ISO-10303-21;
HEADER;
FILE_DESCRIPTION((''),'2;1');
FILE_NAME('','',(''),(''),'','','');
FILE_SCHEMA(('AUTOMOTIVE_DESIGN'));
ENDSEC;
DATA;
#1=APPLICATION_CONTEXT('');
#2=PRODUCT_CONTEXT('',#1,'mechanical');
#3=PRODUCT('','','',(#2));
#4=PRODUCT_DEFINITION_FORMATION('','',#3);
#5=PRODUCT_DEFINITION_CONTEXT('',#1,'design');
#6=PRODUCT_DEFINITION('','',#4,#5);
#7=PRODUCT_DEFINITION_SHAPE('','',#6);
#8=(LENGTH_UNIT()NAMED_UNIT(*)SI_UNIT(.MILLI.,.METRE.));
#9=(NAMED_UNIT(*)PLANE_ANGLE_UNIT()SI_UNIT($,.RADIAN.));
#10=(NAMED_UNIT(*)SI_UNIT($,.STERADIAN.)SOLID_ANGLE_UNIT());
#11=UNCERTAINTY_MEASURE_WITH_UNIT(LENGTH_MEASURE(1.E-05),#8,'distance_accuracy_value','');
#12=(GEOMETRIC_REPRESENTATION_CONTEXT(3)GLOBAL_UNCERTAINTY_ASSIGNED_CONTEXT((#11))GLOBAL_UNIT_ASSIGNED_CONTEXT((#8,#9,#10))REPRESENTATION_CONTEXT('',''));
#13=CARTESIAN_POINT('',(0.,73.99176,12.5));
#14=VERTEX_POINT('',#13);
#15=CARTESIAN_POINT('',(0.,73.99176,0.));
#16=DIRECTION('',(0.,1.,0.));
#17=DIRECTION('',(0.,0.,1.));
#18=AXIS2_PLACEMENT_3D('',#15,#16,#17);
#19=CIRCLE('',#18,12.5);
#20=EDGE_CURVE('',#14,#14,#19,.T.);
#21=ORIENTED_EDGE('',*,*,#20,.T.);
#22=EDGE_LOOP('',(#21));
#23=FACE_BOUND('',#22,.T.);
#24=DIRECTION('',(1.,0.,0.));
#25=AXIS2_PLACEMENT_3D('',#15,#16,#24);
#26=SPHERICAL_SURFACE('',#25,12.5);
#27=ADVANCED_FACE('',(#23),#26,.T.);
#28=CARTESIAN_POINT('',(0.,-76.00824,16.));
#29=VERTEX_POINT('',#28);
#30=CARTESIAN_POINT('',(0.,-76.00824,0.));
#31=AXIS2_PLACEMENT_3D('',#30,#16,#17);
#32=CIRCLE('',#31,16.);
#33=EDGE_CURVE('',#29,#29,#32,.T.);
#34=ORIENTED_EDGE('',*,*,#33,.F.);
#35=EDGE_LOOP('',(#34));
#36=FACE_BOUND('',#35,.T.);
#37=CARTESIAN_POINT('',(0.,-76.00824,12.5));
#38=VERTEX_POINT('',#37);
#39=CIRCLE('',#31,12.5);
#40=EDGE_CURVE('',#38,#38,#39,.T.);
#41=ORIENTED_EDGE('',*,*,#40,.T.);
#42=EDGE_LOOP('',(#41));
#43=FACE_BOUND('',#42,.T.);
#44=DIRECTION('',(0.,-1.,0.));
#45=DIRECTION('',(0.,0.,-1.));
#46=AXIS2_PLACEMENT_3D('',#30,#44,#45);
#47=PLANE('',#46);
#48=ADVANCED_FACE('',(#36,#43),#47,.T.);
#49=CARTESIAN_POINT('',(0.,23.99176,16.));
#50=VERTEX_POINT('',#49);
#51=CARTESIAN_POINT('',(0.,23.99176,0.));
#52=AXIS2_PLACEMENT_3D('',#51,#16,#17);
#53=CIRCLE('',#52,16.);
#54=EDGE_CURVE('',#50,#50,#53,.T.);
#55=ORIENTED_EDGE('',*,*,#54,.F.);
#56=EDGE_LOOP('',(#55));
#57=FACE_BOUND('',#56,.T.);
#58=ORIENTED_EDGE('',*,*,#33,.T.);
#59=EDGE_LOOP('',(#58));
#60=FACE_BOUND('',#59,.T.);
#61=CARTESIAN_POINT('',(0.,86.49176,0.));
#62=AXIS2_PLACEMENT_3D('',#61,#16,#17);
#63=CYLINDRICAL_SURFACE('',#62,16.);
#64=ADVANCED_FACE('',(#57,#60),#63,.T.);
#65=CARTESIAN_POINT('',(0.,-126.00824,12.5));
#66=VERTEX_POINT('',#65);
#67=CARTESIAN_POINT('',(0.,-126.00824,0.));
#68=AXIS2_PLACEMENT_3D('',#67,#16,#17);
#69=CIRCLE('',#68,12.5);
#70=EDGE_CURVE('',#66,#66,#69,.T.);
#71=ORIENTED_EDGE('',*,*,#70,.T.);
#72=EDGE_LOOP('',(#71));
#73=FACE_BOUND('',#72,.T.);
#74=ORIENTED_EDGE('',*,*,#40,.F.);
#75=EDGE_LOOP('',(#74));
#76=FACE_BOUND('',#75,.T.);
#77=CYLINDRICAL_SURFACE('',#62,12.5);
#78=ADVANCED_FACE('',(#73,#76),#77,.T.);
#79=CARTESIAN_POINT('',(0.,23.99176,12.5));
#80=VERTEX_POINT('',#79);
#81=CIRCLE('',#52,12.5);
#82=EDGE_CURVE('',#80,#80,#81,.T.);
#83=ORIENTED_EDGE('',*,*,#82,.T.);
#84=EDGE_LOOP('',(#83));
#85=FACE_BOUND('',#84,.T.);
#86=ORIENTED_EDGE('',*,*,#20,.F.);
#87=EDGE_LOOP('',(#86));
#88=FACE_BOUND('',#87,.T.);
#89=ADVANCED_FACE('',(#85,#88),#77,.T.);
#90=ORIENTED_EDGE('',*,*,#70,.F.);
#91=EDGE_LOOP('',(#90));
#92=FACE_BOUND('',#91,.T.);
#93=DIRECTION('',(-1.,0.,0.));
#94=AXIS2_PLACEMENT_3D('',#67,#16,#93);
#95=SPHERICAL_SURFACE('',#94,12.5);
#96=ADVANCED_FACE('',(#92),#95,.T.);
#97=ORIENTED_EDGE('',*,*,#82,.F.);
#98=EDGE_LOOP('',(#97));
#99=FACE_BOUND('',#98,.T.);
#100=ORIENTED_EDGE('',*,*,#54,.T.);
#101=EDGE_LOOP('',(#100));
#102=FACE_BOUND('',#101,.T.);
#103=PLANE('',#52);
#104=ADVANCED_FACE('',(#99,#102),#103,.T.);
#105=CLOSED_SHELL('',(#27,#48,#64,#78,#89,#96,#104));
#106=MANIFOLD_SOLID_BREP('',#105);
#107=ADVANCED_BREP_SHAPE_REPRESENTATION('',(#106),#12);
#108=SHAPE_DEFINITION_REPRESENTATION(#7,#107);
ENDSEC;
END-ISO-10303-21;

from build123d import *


with BuildPart() as part:
    # Sketch1 → Revolve1 (revolve)
    with BuildSketch(Plane.XY, mode=Mode.PRIVATE) as revolve1_sk:
        Polygon((12.5, 73.991760417), (0, 73.991760417), (0, -126.008239583), (12.5, -126.008239583), (12.5, -76.008239583), (16, -76.008239583), (16, 23.991760417), (12.5, 23.991760417), align=None)
        with BuildLine():
            Line((0, 86.491760417), (0, 73.991760417))
            Line((0, 73.991760417), (12.5, 73.991760417))
            ThreePointArc((12.5, 73.991760417), (8.838834765, 82.830595182), (0, 86.491760417))
        make_face()
        with BuildLine():
            Line((12.5, -126.008239583), (0, -126.008239583))
            Line((0, -126.008239583), (0, -138.508239583))
            ThreePointArc((0, -138.508239583), (8.838834765, -134.847074348), (12.5, -126.008239583))
        make_face()
    revolve(revolve1_sk.sketch.rotate(Axis((0, 86.491760417, 0), (0, -1, 0)), 90), axis=Axis((0, 86.491760417, 0), (0, -1, 0)))


solid = part.part
